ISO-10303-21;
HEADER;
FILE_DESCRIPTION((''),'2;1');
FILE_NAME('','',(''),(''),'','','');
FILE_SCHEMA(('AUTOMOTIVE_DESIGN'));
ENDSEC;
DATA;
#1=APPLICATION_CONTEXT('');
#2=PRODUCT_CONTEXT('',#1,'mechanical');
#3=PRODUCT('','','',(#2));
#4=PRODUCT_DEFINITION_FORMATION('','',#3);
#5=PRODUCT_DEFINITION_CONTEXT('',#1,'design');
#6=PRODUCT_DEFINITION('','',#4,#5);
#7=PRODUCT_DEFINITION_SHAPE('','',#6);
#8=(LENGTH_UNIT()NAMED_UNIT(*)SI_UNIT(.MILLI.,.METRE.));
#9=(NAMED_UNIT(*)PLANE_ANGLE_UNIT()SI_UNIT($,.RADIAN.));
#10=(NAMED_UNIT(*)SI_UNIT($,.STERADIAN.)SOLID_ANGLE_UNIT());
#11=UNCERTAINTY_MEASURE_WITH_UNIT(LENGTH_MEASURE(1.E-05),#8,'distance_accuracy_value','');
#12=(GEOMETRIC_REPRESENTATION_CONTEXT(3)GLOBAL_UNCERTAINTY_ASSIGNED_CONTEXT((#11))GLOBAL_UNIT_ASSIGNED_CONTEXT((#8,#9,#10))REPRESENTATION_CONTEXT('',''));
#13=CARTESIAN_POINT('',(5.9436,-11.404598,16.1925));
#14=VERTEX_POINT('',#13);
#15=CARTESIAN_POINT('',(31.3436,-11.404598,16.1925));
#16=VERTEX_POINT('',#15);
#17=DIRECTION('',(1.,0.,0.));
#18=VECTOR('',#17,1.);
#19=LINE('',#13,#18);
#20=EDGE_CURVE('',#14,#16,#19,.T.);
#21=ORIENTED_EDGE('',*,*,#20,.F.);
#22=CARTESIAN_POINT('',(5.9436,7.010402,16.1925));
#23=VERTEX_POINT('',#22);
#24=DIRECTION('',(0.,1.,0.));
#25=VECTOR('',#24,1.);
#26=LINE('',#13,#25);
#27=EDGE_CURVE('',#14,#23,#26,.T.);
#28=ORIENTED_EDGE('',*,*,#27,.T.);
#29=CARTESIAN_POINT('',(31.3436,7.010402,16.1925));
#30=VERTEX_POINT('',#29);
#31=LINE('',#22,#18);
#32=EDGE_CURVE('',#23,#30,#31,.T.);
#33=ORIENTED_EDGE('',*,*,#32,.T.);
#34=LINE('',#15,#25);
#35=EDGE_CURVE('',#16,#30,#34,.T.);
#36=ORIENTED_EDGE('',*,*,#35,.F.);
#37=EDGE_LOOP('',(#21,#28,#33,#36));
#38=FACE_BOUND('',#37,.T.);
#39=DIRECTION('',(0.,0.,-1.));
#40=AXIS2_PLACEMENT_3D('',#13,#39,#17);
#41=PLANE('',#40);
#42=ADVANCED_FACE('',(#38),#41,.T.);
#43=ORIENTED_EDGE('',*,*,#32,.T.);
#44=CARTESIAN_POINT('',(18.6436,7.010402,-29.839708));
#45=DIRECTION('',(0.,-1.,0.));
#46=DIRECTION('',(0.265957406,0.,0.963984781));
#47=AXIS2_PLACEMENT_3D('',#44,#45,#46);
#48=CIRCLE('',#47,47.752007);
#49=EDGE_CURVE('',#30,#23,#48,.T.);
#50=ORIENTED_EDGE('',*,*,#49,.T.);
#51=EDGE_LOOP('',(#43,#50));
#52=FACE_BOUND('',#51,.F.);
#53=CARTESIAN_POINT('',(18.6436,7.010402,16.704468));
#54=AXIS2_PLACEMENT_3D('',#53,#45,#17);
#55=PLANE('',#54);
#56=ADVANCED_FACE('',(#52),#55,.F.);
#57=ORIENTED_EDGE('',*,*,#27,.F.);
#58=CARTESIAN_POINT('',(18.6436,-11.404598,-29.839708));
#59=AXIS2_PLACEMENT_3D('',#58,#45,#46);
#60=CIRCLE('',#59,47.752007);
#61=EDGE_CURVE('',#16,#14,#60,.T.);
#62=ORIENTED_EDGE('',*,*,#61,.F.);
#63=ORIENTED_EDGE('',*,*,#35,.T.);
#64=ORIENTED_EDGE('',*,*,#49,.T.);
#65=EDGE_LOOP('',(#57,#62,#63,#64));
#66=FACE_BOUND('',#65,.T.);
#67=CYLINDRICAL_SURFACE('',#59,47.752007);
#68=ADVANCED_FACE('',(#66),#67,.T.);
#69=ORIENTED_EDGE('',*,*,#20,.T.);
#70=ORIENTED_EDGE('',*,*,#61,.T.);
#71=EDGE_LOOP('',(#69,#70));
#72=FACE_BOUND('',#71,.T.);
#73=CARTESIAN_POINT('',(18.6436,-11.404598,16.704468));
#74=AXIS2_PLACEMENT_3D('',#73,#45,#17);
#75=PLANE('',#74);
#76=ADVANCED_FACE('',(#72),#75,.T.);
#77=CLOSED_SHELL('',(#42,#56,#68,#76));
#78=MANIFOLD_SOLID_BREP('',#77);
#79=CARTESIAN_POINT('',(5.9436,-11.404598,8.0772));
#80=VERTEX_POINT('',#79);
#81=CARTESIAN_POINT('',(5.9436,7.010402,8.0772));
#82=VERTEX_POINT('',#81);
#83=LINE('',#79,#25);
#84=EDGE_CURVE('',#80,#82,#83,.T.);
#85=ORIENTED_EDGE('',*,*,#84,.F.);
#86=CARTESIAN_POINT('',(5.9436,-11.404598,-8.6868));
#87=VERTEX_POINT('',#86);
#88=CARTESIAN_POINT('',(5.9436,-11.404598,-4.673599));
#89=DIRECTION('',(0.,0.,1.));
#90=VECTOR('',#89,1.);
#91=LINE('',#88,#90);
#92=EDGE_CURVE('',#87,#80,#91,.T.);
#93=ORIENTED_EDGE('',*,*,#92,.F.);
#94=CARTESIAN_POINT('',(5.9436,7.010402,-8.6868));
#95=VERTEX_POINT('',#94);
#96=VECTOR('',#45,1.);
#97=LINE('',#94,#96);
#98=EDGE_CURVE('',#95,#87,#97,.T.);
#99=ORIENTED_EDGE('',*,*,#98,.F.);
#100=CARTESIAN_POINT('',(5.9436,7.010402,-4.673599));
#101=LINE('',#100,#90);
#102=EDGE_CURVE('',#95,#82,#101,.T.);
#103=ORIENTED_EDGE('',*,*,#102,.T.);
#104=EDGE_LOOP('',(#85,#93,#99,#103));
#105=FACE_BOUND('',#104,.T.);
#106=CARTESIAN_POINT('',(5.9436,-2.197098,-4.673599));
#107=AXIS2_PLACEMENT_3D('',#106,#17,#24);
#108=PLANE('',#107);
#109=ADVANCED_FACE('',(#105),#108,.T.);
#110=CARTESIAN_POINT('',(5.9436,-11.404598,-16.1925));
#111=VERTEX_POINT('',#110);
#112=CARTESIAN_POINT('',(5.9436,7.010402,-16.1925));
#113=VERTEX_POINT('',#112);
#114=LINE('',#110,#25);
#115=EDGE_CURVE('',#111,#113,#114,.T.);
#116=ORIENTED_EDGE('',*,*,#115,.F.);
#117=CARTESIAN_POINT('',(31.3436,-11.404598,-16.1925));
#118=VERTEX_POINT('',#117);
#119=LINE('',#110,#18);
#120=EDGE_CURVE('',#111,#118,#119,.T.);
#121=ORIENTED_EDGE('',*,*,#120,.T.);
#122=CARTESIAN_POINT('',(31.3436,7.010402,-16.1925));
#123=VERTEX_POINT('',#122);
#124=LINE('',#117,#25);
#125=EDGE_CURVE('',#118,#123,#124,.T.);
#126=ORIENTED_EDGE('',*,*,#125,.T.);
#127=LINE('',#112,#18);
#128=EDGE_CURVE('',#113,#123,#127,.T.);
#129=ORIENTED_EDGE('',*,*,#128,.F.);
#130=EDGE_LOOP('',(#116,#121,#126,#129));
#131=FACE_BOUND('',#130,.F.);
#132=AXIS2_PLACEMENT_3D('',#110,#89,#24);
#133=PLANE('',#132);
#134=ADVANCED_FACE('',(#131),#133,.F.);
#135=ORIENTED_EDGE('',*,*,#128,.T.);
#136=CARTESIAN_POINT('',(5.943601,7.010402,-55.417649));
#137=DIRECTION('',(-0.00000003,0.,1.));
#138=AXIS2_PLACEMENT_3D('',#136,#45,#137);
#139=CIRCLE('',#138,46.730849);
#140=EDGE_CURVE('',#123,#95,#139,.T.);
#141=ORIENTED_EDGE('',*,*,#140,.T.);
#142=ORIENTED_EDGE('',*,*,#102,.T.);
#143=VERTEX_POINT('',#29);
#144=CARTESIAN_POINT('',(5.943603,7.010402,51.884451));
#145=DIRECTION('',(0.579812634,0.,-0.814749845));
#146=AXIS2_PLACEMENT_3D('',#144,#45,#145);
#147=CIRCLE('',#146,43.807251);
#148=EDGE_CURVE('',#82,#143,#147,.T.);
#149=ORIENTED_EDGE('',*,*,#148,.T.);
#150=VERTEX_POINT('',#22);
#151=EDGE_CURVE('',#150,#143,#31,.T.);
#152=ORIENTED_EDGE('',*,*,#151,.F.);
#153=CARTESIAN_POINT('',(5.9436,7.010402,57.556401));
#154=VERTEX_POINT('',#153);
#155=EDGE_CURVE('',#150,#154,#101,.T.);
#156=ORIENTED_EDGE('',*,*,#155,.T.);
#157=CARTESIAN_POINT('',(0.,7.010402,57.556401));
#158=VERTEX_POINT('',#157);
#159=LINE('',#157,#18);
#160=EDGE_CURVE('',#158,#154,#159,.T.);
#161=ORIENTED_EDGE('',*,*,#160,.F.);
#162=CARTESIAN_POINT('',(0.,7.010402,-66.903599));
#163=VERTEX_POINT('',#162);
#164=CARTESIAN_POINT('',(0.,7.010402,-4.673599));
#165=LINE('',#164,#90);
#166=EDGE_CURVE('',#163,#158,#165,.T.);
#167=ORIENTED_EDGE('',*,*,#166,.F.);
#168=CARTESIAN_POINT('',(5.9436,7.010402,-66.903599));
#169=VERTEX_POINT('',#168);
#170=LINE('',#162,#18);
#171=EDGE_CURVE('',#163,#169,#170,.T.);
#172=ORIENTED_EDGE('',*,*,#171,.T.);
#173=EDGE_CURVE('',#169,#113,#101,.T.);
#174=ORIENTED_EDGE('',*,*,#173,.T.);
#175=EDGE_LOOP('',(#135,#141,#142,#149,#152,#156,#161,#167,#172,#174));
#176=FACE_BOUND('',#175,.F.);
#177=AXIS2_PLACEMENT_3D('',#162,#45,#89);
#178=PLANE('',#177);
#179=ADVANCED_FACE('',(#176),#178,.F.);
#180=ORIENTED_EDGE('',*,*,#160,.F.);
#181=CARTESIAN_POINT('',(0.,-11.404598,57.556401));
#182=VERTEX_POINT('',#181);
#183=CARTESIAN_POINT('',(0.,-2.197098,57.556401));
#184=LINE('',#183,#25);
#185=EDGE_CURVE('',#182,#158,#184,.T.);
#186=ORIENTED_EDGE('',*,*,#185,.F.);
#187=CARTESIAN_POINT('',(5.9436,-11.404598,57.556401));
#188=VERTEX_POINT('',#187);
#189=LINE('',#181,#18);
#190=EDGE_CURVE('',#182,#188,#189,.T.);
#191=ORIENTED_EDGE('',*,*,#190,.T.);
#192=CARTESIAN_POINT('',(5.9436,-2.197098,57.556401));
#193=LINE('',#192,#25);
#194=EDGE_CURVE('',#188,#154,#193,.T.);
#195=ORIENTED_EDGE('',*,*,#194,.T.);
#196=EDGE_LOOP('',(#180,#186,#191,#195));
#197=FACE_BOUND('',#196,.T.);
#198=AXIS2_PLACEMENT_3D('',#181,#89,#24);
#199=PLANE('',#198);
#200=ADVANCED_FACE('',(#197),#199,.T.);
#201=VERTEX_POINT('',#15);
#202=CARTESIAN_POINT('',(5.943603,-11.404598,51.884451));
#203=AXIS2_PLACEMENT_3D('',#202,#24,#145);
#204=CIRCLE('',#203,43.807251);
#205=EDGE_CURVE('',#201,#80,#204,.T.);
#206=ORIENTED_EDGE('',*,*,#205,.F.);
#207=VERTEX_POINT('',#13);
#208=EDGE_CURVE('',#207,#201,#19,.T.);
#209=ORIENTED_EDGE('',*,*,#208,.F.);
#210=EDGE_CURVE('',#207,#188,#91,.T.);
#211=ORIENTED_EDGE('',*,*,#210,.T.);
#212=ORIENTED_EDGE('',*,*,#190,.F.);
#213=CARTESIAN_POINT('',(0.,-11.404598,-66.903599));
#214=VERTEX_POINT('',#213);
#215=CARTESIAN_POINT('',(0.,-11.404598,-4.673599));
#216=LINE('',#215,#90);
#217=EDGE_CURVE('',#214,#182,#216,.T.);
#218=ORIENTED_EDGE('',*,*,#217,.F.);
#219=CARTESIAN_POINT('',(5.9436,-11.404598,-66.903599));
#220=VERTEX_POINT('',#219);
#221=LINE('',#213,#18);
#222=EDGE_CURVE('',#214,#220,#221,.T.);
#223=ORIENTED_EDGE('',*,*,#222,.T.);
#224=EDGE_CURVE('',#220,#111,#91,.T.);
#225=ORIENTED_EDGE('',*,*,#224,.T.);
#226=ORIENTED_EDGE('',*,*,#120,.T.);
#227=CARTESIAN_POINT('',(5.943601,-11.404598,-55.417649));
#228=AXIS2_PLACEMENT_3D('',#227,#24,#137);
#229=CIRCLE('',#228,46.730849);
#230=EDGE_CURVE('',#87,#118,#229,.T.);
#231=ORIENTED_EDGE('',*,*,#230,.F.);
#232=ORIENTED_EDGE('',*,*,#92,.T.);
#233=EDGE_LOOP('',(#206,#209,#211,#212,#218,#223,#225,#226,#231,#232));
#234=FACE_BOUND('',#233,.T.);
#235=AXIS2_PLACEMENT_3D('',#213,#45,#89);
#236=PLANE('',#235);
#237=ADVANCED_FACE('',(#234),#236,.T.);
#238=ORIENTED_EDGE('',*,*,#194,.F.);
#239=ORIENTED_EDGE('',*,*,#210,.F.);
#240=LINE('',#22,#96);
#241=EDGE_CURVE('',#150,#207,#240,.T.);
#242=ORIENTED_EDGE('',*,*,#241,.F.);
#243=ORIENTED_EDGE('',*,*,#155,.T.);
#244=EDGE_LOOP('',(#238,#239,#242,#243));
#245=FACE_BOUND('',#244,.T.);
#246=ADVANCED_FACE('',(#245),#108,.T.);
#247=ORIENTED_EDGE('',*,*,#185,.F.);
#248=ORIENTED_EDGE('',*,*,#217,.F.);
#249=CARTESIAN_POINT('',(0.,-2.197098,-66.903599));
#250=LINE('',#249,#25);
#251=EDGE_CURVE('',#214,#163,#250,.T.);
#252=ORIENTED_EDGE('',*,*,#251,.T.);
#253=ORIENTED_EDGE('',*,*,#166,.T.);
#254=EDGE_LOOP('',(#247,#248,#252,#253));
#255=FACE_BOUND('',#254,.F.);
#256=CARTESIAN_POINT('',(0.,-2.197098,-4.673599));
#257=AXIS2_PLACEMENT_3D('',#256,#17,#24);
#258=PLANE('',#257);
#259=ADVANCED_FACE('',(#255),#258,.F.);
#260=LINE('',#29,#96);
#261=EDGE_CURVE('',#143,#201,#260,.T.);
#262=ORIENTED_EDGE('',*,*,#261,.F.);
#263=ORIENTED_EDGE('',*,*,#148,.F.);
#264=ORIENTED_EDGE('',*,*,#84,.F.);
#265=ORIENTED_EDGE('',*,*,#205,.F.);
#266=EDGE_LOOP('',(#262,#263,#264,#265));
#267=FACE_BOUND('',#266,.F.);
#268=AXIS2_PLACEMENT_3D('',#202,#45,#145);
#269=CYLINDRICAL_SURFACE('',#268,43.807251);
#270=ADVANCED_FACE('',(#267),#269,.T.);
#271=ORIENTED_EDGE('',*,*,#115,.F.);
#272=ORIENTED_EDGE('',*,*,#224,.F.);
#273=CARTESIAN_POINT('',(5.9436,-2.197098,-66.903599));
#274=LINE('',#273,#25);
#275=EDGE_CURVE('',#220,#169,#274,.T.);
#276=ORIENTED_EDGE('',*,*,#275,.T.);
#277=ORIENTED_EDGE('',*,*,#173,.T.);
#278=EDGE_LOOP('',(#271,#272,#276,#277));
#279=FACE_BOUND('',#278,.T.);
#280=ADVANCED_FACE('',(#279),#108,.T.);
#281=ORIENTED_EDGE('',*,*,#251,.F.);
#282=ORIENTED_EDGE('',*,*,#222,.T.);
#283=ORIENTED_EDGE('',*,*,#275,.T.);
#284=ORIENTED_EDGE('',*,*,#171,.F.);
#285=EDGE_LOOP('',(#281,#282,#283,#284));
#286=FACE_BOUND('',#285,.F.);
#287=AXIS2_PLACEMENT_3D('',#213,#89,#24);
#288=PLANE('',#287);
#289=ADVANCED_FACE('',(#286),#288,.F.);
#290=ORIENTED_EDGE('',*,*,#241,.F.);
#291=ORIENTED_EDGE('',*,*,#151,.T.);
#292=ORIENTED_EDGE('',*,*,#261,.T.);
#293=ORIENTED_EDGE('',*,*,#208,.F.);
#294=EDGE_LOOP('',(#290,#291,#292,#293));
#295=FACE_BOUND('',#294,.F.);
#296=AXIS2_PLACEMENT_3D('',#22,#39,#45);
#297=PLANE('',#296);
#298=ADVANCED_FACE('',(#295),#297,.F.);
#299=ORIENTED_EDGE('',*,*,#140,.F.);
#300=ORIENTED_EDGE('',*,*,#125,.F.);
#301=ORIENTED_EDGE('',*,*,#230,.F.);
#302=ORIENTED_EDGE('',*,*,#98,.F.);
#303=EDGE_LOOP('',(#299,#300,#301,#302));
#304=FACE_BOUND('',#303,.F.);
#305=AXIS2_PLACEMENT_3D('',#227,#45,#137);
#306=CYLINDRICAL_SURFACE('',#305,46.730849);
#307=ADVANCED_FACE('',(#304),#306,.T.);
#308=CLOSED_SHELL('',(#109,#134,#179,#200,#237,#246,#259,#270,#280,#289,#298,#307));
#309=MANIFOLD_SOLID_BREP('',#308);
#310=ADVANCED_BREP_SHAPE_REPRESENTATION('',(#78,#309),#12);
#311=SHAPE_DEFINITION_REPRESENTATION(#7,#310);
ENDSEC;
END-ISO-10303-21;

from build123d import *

# Parameters (mm, degrees)
F0_W     = 18.415
F0_H     = 124.46
F1_DEPTH = 5.9436
F3_DEPTH = 25.4
F4_DEPTH = 25.4
F6_DEPTH = 50.8
F7_DEPTH = 18.415


with BuildPart() as f1:
    # F0 (on Right) → F1 (new body)
    with BuildSketch(Plane.YZ):
        with Locations((-2.197098, -4.673599)):
            Rectangle(F0_W, F0_H)
    extrude(amount=F1_DEPTH)

    # F2 (on face) → F3 (join)
    with BuildSketch(Plane.YZ.offset(5.9436)):
        Polygon((-11.404598, -16.1925), (0, -16.1925), (7.010402, -16.1925), (7.010402, -8.6868), (-11.404598, -8.6868), align=None)
        Polygon((7.010402, 16.1925), (0, 16.1925), (-11.404598, 16.1925), (-11.404598, 8.0772), (7.010402, 8.0772), align=None)
    extrude(amount=F3_DEPTH)

    # F2 (on face) → F4 (join)
    with BuildSketch(Plane.YZ.offset(5.9436)):
        Polygon((-11.404598, -16.1925), (0, -16.1925), (7.010402, -16.1925), (7.010402, -8.6868), (-11.404598, -8.6868), align=None)
    extrude(amount=F4_DEPTH)

    # F5 (on face) → F6 (cut)
    with BuildSketch(Plane.XZ.offset(11.404598)):
        with BuildLine():
            Line((31.3436, -16.1925), (5.9436, -16.1925))
            ThreePointArc((5.9436, -16.1925), (18.6436, -17.912299), (31.3436, -16.1925))
        make_face()
        with BuildLine():
            Line((5.9436, 16.1925), (31.3436, 16.1925))
            ThreePointArc((31.3436, 16.1925), (18.6436, 17.912299), (5.9436, 16.1925))
        make_face()
        with BuildLine():
            Line((31.3436, -8.6868), (5.9436, -8.6868))
            ThreePointArc((5.9436, -8.6868), (19.186481, -10.602491), (31.3436, -16.1925))
            Line((31.3436, -16.1925), (31.3436, -8.6868))
        make_face()
        with BuildLine():
            ThreePointArc((31.3436, 16.1925), (19.276061, 10.155315), (5.9436, 8.0772))
            Line((5.9436, 8.0772), (31.3436, 8.0772))
            Line((31.3436, 8.0772), (31.3436, 16.1925))
        make_face()
    extrude(amount=-F6_DEPTH, mode=Mode.SUBTRACT)


with BuildPart() as f7:
    # F5 (on face) → F7 (new body)
    with BuildSketch(Plane.XZ.offset(11.404598)):
        with BuildLine():
            Line((5.9436, 16.1925), (31.3436, 16.1925))
            ThreePointArc((31.3436, 16.1925), (18.6436, 17.912299), (5.9436, 16.1925))
        make_face()
    extrude(amount=-F7_DEPTH)


solid = Compound([f1.part, f7.part])
